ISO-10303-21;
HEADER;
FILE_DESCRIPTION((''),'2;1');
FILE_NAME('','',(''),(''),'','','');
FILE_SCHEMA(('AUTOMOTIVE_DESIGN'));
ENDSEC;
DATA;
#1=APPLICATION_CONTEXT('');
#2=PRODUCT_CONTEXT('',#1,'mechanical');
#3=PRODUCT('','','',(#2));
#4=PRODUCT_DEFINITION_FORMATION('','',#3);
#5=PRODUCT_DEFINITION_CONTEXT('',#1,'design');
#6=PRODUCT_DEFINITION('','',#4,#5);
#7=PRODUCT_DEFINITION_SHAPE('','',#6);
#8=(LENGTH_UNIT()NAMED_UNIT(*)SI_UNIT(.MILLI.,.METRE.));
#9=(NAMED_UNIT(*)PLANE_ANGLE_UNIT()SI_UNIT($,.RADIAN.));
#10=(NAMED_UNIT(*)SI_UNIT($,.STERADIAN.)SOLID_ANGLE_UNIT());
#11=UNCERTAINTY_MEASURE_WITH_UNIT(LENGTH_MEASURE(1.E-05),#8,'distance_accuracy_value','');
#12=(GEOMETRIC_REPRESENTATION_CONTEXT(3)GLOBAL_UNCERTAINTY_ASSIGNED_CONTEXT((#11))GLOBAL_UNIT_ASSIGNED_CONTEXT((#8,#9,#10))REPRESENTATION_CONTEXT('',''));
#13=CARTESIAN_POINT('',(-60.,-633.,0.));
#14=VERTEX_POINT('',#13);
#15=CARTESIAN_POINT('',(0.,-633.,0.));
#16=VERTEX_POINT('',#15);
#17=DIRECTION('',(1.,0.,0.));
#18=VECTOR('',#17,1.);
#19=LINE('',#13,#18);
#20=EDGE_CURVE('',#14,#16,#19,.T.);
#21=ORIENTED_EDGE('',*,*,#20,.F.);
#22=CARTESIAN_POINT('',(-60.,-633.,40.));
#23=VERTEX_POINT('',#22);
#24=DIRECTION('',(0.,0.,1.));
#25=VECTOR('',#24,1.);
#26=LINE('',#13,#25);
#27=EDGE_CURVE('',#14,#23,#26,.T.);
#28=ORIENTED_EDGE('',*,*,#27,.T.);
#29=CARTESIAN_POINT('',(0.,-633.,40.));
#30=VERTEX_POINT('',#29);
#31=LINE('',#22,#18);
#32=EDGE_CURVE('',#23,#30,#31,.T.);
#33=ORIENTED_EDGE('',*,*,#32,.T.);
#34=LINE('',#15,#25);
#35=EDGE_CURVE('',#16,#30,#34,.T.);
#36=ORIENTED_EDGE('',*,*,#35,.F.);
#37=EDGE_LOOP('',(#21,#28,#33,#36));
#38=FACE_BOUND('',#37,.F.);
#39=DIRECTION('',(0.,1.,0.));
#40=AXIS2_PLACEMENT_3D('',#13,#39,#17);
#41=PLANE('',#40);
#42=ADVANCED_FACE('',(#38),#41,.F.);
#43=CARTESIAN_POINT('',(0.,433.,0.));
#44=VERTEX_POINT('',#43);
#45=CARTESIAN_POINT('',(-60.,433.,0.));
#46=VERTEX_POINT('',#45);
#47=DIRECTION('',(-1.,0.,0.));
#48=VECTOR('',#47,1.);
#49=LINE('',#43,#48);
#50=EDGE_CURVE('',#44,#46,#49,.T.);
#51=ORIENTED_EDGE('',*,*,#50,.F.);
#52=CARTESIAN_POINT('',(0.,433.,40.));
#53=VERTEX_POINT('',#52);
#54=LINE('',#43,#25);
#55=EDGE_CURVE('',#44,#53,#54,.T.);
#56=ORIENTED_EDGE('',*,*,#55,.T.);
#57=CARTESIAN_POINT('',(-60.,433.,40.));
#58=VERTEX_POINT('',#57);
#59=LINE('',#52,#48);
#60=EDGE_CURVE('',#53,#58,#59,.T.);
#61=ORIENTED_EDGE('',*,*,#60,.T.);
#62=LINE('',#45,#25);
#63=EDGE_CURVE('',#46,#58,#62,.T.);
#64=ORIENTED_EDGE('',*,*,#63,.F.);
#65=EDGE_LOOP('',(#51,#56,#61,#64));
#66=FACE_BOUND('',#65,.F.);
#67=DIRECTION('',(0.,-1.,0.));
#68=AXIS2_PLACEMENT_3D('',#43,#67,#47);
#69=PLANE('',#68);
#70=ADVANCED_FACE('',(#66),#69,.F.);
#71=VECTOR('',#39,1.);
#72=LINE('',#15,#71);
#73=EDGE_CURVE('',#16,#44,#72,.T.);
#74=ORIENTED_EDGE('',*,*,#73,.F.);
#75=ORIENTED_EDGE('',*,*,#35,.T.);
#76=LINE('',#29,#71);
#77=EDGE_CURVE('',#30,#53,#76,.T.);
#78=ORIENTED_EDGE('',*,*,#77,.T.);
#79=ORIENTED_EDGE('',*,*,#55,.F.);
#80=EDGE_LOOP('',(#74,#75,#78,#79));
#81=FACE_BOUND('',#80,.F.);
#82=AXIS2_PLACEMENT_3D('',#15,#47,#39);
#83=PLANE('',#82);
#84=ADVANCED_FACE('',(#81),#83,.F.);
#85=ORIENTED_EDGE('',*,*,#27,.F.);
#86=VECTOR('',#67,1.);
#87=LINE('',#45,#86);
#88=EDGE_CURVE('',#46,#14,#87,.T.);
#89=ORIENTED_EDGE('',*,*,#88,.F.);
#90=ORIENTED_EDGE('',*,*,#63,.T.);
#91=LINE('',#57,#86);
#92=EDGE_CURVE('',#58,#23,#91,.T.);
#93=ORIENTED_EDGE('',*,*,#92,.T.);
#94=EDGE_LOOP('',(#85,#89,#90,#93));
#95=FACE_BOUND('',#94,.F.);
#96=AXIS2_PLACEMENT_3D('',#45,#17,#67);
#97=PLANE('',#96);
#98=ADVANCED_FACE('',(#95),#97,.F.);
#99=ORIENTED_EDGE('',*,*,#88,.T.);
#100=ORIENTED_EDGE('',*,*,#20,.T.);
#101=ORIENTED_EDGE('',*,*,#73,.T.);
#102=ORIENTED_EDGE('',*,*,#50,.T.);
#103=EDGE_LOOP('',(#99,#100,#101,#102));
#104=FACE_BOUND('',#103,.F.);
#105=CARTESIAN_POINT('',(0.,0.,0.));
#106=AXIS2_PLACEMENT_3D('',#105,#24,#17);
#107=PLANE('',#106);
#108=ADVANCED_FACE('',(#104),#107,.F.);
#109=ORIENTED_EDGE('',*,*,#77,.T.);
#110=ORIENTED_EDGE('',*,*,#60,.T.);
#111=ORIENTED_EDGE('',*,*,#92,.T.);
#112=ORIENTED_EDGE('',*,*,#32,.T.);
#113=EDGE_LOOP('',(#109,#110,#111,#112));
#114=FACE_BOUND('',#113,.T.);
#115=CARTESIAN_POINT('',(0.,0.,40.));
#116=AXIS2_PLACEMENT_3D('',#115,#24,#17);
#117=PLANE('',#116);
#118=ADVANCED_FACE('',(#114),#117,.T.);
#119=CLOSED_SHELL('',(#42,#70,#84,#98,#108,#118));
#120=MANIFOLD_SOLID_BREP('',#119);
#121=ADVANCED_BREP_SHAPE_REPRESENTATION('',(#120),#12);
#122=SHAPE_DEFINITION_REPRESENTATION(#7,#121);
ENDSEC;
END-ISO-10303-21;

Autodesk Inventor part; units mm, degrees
ref_plane "YZ Plane" through (0, 0, 0) normal (1, 0, 0) x (0, 1, 0)
ref_plane "XZ Plane" through (0, 0, 0) normal (0, 1, 0) x (-1, 0, 0)
ref_plane "XY Plane" through (0, 0, 0) normal (0, 0, 1) x (1, 0, 0)
sketch "Sketch1" plane through (0, 0, 0) normal (0, 0, 1) x (1, 0, 0)
  line L0 (0, -633) -> (0, 433)
  line L1 (0, 433) -> (-60, 433)
  line L2 (-60, 433) -> (-60, -633)
  line L3 (-60, -633) -> (0, -633)
  point P0 (0, 0)
  dimension "d0" = 60
extrude "Extrusion1" add sketch "Sketch1" along normal blind 40
properties part number "Transverse_Bottom" material "Wood"
